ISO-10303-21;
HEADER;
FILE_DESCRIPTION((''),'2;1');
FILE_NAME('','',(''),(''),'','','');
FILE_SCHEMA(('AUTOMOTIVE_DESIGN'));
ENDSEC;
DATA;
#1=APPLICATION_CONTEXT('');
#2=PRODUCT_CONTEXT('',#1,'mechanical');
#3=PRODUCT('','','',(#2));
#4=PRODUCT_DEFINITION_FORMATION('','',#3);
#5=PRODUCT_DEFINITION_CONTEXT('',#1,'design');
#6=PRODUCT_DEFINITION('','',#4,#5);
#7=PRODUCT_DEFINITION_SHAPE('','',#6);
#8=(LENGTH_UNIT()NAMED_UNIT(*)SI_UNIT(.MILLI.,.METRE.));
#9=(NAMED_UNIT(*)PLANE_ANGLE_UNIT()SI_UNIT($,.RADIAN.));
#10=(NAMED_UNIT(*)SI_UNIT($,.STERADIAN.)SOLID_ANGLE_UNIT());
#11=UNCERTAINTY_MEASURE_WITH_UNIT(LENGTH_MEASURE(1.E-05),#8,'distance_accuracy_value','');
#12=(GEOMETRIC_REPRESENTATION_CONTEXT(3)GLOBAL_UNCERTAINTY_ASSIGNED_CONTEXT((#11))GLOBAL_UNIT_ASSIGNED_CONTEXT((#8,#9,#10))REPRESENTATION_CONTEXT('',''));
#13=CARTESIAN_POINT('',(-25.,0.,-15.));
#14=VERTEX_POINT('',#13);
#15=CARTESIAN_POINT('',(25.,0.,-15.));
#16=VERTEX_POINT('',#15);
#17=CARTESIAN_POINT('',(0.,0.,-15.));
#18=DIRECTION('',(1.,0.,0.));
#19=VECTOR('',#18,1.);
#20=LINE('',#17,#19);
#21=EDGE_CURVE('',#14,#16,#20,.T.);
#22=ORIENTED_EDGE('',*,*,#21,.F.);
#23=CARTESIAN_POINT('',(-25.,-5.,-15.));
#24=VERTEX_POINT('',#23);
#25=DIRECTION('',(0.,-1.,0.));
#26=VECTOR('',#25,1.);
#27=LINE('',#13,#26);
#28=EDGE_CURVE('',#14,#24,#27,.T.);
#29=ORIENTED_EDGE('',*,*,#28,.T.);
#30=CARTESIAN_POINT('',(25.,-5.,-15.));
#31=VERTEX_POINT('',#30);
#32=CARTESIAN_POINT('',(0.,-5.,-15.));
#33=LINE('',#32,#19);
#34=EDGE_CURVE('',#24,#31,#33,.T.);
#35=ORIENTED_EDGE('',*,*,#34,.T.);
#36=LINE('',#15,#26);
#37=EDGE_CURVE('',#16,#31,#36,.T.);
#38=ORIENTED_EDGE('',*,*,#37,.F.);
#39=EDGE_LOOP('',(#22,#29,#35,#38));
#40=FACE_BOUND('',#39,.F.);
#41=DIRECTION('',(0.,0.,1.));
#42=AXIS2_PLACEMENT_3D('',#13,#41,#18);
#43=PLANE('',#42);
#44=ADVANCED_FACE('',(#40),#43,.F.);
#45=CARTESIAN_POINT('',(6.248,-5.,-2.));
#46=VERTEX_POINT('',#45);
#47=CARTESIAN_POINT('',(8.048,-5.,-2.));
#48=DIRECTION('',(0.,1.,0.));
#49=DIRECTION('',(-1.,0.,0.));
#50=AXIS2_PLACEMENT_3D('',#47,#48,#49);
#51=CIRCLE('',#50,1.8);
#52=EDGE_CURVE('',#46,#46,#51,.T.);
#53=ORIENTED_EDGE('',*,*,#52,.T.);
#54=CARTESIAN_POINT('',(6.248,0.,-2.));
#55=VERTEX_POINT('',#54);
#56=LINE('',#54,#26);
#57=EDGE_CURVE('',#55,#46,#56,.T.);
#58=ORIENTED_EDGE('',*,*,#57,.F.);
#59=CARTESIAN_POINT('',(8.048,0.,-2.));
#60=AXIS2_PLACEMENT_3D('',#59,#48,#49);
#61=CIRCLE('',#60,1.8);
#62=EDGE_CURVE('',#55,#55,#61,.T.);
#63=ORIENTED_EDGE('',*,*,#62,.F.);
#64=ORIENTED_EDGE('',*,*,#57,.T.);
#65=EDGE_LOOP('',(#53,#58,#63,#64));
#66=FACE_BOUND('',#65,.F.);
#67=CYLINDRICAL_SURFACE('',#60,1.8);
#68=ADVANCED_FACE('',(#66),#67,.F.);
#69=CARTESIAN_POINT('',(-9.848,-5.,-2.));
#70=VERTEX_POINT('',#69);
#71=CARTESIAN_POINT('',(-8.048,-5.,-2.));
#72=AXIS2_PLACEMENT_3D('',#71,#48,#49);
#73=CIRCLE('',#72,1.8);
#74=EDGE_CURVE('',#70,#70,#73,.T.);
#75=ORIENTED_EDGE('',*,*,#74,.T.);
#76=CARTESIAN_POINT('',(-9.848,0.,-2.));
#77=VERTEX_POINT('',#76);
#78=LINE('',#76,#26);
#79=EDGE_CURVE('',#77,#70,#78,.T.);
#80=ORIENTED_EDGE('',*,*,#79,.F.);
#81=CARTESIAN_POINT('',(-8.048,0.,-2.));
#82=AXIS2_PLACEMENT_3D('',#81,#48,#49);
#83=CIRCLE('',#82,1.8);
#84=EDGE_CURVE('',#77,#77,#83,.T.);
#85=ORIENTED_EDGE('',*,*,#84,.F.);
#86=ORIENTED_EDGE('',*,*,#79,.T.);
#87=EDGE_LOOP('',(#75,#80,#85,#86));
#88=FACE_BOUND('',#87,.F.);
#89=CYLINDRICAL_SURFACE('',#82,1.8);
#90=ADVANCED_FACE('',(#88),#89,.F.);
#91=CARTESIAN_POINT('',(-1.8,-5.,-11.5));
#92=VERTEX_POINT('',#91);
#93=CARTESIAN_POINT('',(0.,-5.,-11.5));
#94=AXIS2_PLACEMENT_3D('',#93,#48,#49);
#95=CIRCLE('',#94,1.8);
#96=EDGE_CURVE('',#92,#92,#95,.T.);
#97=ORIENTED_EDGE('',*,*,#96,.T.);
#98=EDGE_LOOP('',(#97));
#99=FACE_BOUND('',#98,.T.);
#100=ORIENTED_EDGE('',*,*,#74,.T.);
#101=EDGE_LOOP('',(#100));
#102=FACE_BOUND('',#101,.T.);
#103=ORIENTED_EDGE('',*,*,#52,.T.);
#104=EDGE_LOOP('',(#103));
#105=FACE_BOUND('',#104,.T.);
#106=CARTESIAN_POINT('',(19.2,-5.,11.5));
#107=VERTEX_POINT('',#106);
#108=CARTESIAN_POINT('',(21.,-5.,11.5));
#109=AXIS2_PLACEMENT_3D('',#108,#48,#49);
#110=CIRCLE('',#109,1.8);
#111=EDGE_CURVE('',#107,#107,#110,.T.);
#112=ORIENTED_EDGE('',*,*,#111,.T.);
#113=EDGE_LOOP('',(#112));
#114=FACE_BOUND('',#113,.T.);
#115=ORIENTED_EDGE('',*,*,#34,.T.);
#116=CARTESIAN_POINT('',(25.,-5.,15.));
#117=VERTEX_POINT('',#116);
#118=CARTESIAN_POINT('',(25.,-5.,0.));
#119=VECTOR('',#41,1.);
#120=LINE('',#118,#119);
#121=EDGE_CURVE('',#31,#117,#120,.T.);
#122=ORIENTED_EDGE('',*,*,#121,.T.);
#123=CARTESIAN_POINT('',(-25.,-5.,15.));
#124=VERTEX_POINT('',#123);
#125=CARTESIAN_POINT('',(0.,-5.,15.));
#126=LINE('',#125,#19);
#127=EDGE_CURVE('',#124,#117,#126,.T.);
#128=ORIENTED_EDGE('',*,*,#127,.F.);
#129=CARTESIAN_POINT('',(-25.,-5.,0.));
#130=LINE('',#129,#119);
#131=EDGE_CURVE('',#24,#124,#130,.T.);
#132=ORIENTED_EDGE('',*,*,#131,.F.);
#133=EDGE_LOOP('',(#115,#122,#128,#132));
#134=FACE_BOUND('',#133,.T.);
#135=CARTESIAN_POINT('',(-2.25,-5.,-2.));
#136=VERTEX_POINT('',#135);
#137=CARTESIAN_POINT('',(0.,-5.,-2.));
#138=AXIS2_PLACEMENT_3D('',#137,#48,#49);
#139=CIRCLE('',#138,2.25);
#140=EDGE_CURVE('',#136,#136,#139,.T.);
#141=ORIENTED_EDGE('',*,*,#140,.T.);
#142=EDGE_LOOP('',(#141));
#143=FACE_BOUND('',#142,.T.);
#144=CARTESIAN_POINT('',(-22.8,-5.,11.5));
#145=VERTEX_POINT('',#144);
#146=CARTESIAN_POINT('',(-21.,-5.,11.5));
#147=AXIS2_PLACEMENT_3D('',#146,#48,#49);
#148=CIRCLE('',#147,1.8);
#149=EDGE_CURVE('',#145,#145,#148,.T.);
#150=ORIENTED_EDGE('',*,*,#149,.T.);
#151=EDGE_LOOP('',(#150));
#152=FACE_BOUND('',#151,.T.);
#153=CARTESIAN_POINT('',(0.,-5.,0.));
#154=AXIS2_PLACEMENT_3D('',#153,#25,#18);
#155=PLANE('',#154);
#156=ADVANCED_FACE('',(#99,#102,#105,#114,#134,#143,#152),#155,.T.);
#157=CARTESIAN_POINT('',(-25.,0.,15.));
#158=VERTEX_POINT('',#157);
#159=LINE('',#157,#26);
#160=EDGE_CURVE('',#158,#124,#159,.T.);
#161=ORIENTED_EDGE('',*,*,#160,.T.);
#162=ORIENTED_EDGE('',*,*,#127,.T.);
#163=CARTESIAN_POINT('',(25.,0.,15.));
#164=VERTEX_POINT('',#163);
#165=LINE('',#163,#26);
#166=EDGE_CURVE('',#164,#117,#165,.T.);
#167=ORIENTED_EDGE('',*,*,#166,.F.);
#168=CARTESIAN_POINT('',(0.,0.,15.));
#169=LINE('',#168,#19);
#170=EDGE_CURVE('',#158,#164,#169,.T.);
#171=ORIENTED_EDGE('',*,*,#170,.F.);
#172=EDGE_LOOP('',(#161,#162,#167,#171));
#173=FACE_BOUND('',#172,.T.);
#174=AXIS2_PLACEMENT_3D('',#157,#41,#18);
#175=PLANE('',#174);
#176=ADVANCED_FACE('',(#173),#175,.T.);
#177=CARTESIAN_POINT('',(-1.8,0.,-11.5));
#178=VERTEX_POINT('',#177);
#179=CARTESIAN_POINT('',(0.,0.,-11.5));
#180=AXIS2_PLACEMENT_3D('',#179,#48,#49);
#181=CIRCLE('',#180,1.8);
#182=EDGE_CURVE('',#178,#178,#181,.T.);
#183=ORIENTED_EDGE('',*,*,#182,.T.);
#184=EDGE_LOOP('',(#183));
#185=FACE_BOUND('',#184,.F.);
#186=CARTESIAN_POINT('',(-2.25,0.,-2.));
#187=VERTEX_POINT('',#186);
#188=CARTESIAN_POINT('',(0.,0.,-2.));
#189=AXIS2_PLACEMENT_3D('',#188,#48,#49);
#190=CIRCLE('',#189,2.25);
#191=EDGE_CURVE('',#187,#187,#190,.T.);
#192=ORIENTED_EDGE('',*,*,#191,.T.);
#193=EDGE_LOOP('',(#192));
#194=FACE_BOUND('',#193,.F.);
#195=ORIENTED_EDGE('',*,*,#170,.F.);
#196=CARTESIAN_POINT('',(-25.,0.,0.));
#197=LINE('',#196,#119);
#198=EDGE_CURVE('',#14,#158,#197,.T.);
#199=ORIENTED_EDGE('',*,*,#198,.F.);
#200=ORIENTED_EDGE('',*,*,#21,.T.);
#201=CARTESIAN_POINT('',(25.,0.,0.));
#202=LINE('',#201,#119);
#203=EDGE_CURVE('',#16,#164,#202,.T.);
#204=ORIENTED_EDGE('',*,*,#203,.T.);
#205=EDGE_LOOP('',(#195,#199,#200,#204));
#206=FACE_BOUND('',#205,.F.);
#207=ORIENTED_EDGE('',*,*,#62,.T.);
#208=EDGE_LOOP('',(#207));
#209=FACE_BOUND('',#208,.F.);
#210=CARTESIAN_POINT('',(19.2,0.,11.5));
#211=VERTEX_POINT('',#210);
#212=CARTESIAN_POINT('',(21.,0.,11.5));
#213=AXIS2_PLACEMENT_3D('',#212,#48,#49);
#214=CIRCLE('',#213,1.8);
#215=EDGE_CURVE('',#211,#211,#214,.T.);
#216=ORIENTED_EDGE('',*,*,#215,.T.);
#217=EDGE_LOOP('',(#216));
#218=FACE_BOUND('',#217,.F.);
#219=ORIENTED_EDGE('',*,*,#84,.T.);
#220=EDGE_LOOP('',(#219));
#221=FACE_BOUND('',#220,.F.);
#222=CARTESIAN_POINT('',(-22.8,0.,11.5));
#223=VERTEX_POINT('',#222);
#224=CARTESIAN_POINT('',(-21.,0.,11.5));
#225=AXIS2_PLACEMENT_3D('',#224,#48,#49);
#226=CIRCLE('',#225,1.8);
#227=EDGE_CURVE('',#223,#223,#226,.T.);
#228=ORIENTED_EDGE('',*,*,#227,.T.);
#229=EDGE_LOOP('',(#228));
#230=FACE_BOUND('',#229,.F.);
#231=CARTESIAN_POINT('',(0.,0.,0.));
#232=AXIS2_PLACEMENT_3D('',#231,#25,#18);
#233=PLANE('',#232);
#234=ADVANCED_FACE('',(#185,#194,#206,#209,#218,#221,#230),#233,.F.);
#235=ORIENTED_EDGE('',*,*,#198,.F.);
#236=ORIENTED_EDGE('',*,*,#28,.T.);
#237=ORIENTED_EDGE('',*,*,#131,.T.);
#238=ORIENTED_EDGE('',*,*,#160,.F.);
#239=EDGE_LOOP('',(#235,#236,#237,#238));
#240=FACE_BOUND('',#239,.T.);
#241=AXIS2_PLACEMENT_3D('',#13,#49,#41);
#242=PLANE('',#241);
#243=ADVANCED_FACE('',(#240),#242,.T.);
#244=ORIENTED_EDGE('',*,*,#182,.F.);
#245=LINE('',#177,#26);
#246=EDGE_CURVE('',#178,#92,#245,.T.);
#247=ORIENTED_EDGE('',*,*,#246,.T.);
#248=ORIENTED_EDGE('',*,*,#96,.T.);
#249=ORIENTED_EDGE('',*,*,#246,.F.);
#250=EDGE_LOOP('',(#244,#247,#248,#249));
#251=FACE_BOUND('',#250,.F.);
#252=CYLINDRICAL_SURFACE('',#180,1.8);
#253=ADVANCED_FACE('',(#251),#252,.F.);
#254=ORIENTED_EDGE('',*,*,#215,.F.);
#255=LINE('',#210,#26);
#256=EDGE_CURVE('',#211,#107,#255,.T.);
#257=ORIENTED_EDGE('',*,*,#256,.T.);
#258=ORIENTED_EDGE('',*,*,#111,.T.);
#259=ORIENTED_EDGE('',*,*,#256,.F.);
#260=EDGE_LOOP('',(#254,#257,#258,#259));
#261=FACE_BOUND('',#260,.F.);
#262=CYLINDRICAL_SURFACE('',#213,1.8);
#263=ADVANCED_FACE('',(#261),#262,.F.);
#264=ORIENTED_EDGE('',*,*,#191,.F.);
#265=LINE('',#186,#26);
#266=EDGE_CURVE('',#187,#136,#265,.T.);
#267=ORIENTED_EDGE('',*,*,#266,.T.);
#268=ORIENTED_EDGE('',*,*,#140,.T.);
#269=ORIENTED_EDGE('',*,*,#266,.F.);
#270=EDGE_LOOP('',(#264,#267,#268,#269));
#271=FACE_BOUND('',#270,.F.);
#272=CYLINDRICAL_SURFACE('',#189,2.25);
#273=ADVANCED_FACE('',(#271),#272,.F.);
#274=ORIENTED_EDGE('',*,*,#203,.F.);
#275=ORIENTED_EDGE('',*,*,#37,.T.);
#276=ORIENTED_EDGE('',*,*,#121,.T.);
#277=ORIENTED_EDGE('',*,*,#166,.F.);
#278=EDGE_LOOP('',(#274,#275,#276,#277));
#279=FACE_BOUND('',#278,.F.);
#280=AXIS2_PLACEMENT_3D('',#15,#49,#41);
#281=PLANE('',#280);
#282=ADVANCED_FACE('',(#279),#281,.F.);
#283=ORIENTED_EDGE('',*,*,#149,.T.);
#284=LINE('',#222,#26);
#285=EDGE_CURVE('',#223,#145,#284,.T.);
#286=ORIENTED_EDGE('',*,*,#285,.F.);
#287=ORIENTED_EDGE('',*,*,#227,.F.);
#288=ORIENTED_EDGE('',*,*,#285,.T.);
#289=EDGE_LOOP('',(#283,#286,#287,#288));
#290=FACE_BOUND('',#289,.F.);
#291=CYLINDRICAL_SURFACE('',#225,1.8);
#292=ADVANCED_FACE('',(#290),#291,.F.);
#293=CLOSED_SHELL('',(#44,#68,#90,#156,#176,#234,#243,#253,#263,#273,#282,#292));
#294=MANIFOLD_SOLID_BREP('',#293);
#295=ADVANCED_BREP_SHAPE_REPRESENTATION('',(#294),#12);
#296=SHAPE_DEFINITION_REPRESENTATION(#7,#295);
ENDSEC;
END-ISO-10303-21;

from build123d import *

# Parameters (mm, degrees)
F0_W     = 50
F0_H     = 30
F1_DEPTH = 5
F2_R     = 1.8
F3_DEPTH = 5.001
F4_R     = 1.8
F4_R_2   = 2.25
F5_DEPTH = 5.001
F6_R     = 1.8
F7_DEPTH = 5.001


with BuildPart() as f1:
    # F0 (on Front) → F1 (new body)
    with BuildSketch(Plane.XZ):
        Rectangle(F0_W, F0_H)
    extrude(amount=F1_DEPTH)

    # F2 (on face) → F3 (cut, through all)
    with BuildSketch(Plane(origin=(0, 0, 0), x_dir=(-1, 0, 0), z_dir=(0, 1, 0))):
        with Locations((0, -11.5)):
            Circle(F2_R)
    extrude(amount=-F3_DEPTH, mode=Mode.SUBTRACT)

    # F4 (on face) → F5 (cut, through all)
    with BuildSketch(Plane(origin=(0, 0, 0), x_dir=(-1, 0, 0), z_dir=(0, 1, 0))):
        with Locations((8.048, -2)):
            Circle(F4_R)
        with Locations((0, -2)):
            Circle(F4_R_2)
        with Locations((-8.048, -2)):
            Circle(F4_R)
    extrude(amount=-F5_DEPTH, mode=Mode.SUBTRACT)

    # F6 (on face) → F7 (cut, through all)
    with BuildSketch(Plane(origin=(0, 0, 0), x_dir=(-1, 0, 0), z_dir=(0, 1, 0))):
        with Locations((-21, 11.5)):
            Circle(F6_R)
        with Locations((21, 11.5)):
            Circle(F6_R)
    extrude(amount=-F7_DEPTH, mode=Mode.SUBTRACT)


solid = f1.part
